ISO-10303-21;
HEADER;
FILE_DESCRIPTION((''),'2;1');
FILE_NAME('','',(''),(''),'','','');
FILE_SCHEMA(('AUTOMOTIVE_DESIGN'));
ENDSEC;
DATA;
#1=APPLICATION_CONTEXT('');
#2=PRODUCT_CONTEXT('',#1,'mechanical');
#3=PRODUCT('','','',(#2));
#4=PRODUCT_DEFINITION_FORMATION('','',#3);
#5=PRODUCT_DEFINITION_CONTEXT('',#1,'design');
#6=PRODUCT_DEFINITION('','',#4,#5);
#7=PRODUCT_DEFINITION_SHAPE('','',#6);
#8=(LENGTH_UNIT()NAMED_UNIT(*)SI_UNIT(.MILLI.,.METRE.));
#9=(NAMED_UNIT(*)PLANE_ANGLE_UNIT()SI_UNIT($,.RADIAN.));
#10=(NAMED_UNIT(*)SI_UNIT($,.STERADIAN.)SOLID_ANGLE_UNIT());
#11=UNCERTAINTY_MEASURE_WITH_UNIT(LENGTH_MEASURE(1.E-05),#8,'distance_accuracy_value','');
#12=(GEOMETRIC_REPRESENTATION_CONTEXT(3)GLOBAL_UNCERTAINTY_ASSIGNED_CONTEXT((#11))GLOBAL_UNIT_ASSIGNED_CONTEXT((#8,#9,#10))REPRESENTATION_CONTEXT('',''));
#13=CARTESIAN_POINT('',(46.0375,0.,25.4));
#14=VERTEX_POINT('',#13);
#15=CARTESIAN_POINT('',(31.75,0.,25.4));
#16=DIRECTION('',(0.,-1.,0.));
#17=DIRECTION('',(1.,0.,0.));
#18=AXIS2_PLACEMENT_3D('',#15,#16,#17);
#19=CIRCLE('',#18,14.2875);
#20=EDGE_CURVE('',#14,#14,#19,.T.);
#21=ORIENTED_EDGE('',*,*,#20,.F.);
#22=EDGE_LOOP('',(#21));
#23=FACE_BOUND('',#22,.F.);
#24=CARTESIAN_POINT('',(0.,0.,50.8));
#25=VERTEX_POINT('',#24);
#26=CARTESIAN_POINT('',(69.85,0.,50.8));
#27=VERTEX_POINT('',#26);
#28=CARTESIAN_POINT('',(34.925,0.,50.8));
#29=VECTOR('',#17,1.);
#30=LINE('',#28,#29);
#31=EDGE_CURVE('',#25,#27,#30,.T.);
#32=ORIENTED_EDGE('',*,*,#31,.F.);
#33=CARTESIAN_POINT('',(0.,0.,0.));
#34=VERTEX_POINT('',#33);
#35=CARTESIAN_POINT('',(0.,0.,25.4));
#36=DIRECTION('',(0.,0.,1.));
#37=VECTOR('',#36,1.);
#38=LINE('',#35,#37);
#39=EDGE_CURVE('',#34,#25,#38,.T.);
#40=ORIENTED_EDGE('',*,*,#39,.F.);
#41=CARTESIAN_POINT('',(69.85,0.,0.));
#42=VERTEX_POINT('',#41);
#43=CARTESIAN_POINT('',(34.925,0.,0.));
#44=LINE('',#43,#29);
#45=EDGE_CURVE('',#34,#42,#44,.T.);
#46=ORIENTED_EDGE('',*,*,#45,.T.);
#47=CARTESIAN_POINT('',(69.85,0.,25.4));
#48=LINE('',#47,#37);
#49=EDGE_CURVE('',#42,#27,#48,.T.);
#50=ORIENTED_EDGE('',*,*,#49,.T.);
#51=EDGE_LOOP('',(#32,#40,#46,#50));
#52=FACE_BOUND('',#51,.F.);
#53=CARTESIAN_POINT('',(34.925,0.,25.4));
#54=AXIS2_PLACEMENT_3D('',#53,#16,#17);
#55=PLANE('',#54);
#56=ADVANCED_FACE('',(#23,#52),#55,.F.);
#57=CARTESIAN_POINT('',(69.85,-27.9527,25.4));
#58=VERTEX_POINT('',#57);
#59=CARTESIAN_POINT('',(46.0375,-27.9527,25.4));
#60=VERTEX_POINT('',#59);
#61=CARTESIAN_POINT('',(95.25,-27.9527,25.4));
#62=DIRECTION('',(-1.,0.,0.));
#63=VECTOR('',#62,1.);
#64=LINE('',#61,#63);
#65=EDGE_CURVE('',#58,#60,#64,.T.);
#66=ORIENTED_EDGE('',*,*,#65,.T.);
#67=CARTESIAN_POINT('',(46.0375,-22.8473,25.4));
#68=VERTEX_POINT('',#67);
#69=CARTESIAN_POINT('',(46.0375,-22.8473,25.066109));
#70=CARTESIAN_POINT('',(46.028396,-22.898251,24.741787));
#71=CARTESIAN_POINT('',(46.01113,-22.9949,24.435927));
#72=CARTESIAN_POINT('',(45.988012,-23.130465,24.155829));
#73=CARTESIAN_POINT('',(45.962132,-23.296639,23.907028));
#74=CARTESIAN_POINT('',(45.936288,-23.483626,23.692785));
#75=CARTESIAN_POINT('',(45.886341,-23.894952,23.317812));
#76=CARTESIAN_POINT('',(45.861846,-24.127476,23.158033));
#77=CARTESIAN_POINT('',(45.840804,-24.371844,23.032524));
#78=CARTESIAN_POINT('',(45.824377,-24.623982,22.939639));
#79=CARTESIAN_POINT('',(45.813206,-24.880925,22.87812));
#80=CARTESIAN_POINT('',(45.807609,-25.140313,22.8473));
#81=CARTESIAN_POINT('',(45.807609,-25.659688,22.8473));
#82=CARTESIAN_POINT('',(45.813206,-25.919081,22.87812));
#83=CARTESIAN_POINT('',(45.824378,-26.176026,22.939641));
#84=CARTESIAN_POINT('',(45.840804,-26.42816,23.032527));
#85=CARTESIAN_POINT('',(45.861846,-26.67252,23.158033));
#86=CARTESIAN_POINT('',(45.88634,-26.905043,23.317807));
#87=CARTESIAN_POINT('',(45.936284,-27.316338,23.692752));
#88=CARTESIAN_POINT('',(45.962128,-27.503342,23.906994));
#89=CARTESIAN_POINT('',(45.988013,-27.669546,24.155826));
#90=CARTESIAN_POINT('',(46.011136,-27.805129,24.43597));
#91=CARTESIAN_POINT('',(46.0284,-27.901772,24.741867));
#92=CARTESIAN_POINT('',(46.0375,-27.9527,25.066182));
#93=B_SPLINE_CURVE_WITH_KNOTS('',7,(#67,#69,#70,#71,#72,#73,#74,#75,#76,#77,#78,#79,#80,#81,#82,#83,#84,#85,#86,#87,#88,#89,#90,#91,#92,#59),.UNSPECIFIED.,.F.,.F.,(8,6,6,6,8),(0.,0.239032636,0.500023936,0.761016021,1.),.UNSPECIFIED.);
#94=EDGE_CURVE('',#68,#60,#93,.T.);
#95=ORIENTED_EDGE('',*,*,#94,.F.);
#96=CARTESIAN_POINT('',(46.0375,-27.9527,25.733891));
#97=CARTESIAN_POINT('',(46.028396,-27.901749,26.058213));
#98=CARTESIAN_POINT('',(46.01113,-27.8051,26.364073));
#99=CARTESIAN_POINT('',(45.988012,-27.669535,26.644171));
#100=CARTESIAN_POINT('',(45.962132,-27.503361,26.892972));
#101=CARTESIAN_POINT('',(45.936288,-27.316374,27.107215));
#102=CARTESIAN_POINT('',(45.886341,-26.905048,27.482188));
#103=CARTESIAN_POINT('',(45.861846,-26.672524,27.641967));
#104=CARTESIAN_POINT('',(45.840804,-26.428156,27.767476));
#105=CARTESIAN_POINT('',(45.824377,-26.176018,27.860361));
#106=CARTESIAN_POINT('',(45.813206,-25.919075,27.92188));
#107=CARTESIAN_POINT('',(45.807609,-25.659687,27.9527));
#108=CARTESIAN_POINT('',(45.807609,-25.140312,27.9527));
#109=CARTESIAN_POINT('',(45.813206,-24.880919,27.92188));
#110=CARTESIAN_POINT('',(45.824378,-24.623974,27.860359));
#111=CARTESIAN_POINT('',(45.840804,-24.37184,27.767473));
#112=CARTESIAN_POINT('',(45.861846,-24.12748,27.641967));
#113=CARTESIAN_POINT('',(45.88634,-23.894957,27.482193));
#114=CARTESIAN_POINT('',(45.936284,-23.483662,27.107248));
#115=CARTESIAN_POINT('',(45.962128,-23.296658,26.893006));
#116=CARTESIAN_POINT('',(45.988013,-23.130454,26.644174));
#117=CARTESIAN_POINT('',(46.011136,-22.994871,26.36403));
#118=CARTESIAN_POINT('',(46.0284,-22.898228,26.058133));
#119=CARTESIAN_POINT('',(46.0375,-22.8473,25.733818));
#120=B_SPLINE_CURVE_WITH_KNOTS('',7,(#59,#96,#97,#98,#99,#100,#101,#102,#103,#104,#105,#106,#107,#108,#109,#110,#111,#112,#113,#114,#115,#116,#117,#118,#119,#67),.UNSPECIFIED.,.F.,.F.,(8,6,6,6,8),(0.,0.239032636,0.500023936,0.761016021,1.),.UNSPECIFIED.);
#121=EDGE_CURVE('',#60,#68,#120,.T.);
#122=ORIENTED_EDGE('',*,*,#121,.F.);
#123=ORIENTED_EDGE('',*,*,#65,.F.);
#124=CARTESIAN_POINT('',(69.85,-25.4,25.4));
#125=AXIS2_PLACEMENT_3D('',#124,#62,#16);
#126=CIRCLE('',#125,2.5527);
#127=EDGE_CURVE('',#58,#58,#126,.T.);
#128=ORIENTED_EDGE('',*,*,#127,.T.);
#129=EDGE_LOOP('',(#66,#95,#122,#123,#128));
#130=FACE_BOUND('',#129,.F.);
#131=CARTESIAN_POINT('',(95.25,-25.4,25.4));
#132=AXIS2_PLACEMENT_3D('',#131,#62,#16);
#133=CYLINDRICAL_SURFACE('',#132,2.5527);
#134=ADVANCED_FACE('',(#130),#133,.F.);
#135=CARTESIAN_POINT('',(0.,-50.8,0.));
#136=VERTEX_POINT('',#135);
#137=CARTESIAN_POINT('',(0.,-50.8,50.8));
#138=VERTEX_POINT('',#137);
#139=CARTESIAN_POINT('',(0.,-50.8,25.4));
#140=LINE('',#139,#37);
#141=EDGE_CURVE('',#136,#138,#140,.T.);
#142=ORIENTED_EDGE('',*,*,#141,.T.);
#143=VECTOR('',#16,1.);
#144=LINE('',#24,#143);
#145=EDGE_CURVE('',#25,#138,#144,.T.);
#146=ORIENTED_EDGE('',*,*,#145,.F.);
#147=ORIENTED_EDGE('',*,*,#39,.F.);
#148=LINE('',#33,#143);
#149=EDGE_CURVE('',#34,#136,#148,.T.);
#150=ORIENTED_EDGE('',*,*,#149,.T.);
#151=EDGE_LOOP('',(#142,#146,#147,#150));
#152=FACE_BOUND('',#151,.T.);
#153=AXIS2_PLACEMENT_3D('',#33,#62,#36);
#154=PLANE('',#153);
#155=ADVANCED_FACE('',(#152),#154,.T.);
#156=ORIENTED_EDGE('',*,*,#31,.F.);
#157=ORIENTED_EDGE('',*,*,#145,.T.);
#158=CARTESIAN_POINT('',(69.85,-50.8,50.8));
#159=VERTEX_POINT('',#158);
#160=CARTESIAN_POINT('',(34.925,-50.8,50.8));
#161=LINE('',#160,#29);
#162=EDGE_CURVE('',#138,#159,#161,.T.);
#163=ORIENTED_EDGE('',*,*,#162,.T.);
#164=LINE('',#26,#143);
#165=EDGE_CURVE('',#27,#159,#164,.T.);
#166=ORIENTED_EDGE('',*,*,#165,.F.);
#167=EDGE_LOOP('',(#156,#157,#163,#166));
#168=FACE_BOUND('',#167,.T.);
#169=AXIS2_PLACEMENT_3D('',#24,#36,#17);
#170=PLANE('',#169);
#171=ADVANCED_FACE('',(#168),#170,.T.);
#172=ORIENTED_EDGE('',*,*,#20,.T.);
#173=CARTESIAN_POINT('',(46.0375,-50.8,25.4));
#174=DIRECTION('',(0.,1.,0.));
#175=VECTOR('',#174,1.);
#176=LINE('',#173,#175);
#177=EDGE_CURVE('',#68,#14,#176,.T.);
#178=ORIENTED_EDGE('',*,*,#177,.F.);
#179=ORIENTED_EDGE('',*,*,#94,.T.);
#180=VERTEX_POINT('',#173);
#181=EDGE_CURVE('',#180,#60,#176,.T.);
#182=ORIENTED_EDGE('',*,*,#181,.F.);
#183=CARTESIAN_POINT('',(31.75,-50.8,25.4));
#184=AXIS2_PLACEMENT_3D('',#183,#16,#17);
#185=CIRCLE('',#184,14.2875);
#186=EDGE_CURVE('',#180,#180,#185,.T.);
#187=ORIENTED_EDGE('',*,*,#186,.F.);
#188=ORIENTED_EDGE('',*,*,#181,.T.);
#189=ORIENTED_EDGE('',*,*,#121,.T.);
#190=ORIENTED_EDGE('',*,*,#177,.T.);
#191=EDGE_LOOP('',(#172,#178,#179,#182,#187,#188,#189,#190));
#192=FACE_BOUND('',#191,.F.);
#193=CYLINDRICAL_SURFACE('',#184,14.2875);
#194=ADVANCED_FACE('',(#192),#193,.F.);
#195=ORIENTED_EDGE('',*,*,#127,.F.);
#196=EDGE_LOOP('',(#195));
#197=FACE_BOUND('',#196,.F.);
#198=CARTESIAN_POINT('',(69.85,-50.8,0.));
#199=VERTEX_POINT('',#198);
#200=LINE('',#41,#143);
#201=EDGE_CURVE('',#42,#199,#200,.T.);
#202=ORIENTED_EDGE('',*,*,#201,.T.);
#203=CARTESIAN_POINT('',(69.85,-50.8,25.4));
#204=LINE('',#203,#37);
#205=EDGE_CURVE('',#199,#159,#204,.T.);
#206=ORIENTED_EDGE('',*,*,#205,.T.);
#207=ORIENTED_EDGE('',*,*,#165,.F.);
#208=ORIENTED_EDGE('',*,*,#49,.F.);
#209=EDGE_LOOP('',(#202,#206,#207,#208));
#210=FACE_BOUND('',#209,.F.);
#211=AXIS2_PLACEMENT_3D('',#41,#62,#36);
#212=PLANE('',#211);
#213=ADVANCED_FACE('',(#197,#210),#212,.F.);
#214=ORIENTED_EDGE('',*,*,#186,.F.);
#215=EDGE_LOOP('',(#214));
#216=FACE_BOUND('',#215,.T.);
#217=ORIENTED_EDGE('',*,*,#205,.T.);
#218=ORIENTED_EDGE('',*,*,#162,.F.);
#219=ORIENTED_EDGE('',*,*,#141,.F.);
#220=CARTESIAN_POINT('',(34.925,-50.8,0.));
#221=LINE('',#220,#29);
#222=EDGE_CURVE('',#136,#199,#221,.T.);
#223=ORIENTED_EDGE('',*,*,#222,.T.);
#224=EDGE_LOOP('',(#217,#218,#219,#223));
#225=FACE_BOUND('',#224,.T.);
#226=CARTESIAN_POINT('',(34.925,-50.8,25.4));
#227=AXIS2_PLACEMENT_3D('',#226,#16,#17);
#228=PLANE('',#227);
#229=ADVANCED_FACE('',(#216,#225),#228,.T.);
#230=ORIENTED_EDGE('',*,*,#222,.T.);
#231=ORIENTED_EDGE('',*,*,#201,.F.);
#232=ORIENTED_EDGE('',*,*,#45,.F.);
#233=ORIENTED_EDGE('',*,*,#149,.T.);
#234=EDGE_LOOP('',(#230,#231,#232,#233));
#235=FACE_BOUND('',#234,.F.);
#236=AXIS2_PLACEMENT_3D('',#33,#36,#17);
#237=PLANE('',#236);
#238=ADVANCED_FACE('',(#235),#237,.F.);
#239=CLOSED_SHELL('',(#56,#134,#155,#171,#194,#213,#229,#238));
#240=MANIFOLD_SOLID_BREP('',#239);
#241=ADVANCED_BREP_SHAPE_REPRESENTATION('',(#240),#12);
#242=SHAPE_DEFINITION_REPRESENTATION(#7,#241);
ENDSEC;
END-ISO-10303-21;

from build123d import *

# Parameters (mm, degrees)
F0_W     = 69.85
F0_H     = 50.8
F1_DEPTH = 50.8
F2_R     = 14.2875
F3_DEPTH = 50.801
F5_D     = 5.1054
F5_DEPTH = 25.4
F5_TIP   = 1.5338169022


with BuildPart() as f1:
    # F0 (on Front) → F1 (new body)
    with BuildSketch(Plane.XZ):
        with Locations((34.925, 25.4)):
            Rectangle(F0_W, F0_H)
    extrude(amount=F1_DEPTH)

    # F2 (on face) → F3 (cut, through all)
    with BuildSketch(Plane.XZ.offset(50.8)):
        with Locations((31.75, 25.4)):
            Circle(F2_R)
    extrude(amount=-F3_DEPTH, mode=Mode.SUBTRACT)

    # F5
    with Locations(Plane.YZ.offset(69.85)):
        with Locations((-25.4, 25.4)):
            Hole(F5_D / 2, depth=F5_DEPTH)
            with Locations((0, 0, -(F5_DEPTH + F5_TIP / 2))):  # 118° drill point
                Cone(0, F5_D / 2, F5_TIP, mode=Mode.SUBTRACT)


solid = f1.part
